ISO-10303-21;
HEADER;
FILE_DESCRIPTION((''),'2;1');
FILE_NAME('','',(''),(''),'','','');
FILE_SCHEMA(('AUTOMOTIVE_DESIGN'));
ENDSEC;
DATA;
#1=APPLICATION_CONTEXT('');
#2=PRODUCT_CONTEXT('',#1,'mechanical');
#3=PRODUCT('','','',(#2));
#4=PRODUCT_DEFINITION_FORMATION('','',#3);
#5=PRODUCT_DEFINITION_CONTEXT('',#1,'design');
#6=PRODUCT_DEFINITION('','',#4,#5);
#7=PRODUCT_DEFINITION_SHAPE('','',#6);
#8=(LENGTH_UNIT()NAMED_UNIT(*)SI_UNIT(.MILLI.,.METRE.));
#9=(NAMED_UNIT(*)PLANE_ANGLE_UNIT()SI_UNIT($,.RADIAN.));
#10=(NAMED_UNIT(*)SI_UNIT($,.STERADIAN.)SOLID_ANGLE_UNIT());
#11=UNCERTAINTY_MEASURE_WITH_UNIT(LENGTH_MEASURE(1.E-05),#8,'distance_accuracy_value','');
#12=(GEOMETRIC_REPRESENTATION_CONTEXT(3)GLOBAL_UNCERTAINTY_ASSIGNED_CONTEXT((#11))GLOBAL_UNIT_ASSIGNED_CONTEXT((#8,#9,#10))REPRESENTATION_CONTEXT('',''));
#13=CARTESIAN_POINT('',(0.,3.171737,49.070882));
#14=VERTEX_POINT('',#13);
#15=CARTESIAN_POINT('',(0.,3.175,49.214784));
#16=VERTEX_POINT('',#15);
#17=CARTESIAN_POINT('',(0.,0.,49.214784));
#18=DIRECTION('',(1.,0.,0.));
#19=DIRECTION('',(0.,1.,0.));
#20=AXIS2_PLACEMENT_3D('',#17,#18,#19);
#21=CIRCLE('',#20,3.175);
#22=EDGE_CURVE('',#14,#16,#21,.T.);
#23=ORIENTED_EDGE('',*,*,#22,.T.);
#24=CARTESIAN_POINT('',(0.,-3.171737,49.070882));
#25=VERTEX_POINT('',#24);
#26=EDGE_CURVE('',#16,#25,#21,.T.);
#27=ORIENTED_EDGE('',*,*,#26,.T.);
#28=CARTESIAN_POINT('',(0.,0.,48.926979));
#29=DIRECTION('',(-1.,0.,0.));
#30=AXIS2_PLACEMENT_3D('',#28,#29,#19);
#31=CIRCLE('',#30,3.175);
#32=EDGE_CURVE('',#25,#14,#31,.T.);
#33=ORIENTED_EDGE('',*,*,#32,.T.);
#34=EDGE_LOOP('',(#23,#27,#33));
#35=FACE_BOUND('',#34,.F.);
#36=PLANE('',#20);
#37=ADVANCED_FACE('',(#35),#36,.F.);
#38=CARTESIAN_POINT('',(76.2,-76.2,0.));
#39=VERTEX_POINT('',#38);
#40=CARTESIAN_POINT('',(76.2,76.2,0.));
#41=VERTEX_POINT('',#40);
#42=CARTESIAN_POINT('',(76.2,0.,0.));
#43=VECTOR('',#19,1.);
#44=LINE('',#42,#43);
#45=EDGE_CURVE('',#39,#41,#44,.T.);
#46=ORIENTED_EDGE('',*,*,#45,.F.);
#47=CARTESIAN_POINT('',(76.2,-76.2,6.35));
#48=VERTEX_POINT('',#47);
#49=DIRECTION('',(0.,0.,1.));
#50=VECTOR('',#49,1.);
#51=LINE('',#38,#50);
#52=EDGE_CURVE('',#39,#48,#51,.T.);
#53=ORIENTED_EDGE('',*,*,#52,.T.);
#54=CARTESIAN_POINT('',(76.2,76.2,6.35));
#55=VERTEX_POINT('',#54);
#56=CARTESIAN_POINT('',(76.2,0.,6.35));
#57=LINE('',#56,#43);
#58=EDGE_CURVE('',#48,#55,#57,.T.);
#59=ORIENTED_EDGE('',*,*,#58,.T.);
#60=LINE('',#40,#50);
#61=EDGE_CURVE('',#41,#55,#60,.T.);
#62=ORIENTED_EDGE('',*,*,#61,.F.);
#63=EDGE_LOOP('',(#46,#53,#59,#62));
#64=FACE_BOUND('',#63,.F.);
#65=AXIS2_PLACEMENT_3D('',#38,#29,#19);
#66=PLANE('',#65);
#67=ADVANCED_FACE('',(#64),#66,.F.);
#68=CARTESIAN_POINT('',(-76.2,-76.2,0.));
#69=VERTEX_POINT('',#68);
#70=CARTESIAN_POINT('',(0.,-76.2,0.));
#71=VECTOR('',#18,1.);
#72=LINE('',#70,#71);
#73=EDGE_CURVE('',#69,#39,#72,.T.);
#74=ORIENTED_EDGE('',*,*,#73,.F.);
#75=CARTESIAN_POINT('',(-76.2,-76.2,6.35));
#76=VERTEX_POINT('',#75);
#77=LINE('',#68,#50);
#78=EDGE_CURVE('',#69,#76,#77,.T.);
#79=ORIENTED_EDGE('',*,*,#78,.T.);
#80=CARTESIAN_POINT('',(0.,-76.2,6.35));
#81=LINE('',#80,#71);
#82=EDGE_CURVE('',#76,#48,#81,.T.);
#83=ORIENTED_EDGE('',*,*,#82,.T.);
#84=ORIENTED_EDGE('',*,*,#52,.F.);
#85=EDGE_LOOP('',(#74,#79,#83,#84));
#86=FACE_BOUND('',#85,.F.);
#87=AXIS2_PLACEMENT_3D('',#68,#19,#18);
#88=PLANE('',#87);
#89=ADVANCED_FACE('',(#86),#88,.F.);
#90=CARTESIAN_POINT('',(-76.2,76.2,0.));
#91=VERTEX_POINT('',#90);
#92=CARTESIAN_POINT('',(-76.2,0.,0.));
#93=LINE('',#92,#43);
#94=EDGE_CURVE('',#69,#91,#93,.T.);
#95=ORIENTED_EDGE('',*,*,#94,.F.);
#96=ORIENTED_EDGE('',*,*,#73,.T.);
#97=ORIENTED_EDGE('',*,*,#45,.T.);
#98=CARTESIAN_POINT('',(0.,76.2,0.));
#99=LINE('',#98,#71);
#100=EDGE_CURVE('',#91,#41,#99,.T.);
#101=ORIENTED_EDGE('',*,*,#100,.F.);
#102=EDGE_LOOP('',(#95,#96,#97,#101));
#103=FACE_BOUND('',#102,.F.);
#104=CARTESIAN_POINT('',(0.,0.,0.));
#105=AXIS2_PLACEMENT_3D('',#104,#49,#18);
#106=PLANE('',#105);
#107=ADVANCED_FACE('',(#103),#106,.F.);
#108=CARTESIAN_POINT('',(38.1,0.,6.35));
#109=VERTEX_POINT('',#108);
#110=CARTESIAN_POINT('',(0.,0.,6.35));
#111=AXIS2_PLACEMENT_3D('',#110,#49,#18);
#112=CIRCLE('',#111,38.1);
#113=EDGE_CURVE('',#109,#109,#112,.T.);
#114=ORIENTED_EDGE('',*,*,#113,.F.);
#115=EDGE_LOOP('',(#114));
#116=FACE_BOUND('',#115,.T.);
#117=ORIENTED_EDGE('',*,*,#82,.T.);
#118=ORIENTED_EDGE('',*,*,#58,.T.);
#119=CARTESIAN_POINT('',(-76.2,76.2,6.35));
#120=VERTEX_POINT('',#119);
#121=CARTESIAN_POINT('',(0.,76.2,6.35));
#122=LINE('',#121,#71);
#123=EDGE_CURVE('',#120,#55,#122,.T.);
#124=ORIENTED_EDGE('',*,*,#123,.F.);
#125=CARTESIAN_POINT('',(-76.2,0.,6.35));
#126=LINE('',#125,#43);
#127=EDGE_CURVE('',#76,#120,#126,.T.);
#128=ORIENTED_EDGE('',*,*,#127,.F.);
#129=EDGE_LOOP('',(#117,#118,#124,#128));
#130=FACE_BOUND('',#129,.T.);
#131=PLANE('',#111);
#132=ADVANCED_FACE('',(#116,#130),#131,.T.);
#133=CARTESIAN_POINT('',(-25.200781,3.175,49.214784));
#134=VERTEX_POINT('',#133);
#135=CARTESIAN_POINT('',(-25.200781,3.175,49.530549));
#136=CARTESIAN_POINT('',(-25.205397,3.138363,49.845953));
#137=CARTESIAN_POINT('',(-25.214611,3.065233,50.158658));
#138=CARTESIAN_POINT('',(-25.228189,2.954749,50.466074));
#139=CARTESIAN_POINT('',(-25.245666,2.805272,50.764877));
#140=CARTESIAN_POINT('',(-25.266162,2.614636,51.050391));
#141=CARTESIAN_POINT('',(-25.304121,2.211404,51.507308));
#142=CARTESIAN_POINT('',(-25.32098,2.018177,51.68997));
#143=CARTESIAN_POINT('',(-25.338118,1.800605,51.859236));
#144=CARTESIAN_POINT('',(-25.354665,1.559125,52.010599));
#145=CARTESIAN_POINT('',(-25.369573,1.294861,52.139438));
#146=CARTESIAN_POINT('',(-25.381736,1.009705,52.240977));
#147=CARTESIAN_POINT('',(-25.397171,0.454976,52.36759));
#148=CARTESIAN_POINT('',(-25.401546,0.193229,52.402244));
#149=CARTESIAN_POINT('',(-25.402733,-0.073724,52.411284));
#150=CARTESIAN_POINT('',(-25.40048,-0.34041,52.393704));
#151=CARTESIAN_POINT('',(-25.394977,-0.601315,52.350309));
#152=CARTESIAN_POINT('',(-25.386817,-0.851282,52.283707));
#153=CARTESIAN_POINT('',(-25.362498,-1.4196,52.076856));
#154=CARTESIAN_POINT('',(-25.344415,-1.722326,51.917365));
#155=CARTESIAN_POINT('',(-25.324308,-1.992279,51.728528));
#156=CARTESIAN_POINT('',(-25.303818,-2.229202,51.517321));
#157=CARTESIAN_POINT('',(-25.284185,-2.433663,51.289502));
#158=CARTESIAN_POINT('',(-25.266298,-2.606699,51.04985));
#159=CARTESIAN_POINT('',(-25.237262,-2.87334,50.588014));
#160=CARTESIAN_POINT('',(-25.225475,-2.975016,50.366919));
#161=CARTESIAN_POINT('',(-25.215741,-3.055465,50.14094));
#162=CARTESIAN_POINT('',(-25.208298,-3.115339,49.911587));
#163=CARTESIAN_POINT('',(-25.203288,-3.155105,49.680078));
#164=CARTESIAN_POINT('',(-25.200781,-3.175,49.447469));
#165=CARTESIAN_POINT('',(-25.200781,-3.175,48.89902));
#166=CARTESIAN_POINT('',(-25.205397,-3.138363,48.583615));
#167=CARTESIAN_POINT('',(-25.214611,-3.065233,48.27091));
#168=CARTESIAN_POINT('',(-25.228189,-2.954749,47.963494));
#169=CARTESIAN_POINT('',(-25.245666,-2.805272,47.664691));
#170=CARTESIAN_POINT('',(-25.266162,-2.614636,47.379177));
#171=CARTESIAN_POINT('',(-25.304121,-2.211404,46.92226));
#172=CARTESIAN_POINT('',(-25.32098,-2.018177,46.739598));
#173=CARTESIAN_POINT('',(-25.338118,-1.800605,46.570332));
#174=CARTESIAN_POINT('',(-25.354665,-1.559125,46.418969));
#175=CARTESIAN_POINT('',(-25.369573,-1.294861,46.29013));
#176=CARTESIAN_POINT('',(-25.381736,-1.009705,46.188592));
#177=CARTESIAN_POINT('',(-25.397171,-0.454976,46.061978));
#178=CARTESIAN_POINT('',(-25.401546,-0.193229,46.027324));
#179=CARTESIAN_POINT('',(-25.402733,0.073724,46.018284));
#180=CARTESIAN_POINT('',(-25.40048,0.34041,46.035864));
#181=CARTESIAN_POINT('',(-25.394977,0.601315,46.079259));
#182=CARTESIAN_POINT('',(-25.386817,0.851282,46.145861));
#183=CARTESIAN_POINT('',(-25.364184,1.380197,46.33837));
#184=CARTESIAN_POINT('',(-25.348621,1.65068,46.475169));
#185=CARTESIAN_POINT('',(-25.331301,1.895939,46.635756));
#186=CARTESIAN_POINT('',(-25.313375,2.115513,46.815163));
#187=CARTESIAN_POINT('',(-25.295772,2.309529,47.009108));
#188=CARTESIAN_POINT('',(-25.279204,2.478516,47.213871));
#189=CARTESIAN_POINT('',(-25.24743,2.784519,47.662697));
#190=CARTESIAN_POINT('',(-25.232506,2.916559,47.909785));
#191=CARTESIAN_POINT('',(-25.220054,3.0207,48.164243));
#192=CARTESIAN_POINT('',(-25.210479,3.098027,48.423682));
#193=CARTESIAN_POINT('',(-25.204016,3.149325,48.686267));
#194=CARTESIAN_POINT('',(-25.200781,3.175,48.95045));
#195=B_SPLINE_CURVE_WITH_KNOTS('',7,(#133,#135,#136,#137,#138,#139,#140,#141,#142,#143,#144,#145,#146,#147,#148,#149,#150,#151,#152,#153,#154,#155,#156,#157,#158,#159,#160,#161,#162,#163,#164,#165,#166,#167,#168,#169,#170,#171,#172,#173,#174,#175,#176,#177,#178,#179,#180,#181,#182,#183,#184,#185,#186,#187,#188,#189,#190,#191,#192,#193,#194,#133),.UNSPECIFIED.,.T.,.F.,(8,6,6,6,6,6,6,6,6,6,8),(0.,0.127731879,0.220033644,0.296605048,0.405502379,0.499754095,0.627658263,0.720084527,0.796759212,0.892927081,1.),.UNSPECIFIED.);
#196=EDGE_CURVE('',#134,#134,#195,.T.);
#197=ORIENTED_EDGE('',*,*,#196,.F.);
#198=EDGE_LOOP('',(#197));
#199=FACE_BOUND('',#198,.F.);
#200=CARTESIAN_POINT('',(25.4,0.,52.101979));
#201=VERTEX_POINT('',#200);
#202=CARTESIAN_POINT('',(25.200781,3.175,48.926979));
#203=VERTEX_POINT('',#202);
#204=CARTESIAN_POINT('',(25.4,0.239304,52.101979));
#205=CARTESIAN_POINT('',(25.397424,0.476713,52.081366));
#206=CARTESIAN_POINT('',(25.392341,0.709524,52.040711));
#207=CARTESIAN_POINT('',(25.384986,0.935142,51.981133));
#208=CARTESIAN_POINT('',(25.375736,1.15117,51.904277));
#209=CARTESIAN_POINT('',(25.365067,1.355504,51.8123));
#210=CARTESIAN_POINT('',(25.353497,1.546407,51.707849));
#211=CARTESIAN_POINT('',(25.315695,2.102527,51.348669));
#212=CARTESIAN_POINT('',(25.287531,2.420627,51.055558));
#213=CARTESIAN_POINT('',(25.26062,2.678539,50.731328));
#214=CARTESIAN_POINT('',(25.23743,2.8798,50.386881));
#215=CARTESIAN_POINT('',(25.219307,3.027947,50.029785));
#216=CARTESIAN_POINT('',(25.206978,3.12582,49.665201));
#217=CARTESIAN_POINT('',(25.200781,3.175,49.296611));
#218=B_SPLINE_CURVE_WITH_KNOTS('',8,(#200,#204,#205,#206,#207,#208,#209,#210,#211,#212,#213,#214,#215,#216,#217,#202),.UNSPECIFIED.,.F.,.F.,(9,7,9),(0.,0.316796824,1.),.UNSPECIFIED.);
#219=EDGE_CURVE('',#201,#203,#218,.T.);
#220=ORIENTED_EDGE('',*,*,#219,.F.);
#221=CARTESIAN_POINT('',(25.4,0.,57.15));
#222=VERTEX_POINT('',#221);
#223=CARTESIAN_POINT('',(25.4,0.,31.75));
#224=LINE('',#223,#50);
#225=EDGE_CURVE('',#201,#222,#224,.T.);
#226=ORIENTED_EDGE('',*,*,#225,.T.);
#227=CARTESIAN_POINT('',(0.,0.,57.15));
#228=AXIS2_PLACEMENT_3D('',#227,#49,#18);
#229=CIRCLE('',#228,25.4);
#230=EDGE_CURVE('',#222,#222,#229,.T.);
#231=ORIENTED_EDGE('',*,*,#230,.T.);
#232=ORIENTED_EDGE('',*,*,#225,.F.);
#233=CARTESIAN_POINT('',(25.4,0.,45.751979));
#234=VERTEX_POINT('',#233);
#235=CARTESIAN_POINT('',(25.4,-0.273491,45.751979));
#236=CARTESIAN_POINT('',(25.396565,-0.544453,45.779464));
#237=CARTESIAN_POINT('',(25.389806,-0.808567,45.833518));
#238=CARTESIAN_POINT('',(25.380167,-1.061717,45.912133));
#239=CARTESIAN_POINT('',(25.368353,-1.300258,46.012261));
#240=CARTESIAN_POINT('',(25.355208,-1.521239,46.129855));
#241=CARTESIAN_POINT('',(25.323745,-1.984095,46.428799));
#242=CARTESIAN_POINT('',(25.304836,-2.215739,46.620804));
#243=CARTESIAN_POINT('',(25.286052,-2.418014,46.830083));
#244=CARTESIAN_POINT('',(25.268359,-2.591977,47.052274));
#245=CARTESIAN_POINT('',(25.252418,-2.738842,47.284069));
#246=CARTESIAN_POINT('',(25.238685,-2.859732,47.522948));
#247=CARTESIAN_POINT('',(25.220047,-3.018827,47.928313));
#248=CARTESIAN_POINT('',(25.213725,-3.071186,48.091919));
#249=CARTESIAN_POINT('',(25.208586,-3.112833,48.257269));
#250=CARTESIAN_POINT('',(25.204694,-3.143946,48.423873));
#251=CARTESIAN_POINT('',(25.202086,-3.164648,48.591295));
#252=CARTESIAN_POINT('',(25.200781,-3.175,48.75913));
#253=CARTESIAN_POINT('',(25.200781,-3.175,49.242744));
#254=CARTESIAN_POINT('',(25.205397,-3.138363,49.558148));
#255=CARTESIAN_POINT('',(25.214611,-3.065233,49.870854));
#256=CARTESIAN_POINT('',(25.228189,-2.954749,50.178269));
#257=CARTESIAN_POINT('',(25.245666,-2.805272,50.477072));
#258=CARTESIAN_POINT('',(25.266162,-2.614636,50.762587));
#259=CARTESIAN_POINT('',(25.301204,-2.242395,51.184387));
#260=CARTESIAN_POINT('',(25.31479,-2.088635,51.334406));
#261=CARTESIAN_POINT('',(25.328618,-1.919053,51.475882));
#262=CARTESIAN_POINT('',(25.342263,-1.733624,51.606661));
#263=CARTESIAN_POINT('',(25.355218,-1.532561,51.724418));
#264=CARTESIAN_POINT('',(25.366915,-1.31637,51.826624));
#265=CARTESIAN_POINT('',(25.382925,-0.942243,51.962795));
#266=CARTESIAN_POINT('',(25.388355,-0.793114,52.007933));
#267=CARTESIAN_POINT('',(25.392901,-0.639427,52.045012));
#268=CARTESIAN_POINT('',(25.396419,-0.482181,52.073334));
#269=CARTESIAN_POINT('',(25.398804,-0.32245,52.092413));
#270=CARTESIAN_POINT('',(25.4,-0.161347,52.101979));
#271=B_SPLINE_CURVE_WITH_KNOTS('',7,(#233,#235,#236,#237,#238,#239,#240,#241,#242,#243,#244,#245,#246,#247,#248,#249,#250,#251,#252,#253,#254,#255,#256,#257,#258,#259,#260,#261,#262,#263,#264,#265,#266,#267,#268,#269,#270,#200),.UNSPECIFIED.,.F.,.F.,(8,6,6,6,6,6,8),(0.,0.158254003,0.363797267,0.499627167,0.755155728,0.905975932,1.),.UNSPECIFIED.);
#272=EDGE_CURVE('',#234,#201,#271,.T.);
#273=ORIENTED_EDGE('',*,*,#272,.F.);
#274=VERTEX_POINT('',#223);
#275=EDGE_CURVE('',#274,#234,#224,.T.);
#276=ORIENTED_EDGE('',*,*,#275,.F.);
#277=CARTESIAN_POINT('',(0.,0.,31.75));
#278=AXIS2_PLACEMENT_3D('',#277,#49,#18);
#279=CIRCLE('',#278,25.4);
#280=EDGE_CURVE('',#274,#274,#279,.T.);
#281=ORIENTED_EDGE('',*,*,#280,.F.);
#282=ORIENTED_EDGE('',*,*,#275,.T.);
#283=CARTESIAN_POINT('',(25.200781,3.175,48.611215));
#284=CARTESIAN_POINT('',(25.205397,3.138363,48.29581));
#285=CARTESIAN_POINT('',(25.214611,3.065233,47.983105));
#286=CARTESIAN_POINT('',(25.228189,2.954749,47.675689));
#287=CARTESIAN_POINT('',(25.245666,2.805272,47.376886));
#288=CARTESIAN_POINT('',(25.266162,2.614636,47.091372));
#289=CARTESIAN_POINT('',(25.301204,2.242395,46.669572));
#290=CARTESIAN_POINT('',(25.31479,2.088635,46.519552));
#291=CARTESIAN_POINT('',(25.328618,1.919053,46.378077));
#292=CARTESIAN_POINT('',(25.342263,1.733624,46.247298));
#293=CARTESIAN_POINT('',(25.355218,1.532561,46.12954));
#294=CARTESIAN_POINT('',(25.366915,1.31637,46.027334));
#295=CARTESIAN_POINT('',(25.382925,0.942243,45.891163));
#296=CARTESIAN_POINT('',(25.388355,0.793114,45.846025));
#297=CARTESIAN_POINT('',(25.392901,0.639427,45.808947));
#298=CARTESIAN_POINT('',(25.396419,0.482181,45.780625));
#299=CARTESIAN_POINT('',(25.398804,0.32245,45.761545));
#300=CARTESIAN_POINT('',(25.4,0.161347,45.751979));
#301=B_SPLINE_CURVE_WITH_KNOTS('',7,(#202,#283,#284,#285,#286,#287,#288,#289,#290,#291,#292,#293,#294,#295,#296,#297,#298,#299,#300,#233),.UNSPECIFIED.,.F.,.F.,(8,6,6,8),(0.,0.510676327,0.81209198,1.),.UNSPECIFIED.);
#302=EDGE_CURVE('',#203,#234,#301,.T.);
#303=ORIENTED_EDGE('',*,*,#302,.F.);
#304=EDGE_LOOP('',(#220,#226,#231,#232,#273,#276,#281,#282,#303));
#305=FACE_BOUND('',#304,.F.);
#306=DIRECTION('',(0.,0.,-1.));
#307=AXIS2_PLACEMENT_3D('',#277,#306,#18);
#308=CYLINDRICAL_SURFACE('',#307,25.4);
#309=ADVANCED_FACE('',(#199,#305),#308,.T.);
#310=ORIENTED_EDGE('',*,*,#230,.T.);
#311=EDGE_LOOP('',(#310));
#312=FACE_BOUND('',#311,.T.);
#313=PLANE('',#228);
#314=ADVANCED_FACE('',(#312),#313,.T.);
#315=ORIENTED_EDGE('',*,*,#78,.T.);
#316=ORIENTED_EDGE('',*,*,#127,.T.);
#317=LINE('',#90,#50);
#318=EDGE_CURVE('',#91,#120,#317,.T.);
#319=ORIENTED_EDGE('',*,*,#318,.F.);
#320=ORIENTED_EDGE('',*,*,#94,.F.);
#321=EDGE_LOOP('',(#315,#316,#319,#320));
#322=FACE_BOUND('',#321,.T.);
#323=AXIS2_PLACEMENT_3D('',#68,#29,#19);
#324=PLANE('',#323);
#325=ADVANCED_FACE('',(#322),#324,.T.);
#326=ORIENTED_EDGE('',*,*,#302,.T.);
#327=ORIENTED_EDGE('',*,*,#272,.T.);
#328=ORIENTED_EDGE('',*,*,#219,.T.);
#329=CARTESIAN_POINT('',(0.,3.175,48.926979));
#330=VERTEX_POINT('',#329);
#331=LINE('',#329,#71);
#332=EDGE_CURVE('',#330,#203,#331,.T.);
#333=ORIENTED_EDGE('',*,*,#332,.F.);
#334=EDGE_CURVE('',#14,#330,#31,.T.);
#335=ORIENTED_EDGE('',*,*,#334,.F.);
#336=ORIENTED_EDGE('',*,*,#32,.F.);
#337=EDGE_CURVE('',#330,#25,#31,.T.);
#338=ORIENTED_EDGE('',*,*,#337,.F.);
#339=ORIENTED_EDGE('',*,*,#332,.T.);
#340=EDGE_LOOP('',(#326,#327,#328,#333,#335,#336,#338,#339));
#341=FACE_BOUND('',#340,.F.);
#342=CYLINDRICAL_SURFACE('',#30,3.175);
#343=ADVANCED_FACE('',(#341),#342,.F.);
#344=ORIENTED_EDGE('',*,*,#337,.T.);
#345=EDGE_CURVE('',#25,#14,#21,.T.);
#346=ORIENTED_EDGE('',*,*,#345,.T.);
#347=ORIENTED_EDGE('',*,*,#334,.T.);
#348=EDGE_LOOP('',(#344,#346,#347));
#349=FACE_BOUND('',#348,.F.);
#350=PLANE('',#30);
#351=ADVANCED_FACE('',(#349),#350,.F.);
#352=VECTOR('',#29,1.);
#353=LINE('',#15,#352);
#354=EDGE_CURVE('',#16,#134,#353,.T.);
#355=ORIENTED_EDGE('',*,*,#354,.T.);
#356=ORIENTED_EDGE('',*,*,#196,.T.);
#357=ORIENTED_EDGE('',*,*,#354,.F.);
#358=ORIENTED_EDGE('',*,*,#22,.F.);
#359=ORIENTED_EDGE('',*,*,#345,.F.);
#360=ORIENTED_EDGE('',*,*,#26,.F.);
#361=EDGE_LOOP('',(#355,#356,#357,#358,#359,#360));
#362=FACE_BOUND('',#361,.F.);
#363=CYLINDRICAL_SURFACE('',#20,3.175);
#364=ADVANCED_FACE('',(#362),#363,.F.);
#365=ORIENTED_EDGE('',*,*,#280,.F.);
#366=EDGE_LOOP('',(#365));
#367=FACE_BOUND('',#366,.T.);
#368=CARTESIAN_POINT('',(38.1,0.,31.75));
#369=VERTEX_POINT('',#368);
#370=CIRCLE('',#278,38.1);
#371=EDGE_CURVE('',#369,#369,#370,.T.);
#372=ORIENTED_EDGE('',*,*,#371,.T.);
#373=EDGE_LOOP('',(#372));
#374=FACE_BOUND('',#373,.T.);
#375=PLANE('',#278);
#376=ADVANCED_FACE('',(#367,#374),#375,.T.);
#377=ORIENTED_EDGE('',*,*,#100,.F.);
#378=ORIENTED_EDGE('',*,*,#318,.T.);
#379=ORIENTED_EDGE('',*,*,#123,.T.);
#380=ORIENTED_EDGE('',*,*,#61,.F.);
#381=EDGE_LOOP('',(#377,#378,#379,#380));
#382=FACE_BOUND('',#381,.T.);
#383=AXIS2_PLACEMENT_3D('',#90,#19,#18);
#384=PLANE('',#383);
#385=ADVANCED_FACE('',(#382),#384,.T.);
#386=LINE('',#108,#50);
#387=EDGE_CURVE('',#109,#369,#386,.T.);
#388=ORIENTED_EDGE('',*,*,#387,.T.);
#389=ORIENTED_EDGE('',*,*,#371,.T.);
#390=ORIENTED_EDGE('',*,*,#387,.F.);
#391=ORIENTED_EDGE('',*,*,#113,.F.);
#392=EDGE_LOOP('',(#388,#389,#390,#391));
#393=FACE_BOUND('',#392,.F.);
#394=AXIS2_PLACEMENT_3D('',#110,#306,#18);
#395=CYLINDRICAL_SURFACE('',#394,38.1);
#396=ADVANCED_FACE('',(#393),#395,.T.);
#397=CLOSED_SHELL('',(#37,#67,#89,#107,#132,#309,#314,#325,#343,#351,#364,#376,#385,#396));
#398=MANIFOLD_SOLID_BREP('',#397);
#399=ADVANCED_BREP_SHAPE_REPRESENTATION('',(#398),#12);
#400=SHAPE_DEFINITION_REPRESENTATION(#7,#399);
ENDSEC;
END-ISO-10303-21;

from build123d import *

# Parameters (mm, degrees)
F0_W     = 152.4
F0_H     = 152.4
F1_DEPTH = 6.35
F2_R     = 38.1
F3_DEPTH = 25.4
F4_R     = 25.4
F5_DEPTH = 25.4
F7_D     = 6.35
F7_DEPTH = 76.201
F9_D     = 6.35
F9_DEPTH = 76.201


with BuildPart() as f1:
    # F0 (on Top) → F1 (new body)
    with BuildSketch(Plane.XY):
        Rectangle(F0_W, F0_H)
    extrude(amount=F1_DEPTH)

    # F2 (on face) → F3 (join)
    with BuildSketch(Plane.XY.offset(6.35)):
        Circle(F2_R)
    extrude(amount=F3_DEPTH)

    # F4 (on face) → F5 (join)
    with BuildSketch(Plane.XY.offset(31.75)):
        Circle(F4_R)
    extrude(amount=F5_DEPTH)

    # F7 (through all, one way)
    with BuildSketch(Plane(origin=(0, 0, 0), x_dir=(0, 1, 0), z_dir=(-1, 0, 0))):
        with Locations((0, -48.9269793034)):
            Circle(F7_D / 2)
    extrude(amount=-F7_DEPTH, mode=Mode.SUBTRACT)

    # F9 (through all, one way)
    with BuildSketch(Plane.YZ):
        with Locations((0, 49.2147840559)):
            Circle(F9_D / 2)
    extrude(amount=-F9_DEPTH, mode=Mode.SUBTRACT)


solid = f1.part
